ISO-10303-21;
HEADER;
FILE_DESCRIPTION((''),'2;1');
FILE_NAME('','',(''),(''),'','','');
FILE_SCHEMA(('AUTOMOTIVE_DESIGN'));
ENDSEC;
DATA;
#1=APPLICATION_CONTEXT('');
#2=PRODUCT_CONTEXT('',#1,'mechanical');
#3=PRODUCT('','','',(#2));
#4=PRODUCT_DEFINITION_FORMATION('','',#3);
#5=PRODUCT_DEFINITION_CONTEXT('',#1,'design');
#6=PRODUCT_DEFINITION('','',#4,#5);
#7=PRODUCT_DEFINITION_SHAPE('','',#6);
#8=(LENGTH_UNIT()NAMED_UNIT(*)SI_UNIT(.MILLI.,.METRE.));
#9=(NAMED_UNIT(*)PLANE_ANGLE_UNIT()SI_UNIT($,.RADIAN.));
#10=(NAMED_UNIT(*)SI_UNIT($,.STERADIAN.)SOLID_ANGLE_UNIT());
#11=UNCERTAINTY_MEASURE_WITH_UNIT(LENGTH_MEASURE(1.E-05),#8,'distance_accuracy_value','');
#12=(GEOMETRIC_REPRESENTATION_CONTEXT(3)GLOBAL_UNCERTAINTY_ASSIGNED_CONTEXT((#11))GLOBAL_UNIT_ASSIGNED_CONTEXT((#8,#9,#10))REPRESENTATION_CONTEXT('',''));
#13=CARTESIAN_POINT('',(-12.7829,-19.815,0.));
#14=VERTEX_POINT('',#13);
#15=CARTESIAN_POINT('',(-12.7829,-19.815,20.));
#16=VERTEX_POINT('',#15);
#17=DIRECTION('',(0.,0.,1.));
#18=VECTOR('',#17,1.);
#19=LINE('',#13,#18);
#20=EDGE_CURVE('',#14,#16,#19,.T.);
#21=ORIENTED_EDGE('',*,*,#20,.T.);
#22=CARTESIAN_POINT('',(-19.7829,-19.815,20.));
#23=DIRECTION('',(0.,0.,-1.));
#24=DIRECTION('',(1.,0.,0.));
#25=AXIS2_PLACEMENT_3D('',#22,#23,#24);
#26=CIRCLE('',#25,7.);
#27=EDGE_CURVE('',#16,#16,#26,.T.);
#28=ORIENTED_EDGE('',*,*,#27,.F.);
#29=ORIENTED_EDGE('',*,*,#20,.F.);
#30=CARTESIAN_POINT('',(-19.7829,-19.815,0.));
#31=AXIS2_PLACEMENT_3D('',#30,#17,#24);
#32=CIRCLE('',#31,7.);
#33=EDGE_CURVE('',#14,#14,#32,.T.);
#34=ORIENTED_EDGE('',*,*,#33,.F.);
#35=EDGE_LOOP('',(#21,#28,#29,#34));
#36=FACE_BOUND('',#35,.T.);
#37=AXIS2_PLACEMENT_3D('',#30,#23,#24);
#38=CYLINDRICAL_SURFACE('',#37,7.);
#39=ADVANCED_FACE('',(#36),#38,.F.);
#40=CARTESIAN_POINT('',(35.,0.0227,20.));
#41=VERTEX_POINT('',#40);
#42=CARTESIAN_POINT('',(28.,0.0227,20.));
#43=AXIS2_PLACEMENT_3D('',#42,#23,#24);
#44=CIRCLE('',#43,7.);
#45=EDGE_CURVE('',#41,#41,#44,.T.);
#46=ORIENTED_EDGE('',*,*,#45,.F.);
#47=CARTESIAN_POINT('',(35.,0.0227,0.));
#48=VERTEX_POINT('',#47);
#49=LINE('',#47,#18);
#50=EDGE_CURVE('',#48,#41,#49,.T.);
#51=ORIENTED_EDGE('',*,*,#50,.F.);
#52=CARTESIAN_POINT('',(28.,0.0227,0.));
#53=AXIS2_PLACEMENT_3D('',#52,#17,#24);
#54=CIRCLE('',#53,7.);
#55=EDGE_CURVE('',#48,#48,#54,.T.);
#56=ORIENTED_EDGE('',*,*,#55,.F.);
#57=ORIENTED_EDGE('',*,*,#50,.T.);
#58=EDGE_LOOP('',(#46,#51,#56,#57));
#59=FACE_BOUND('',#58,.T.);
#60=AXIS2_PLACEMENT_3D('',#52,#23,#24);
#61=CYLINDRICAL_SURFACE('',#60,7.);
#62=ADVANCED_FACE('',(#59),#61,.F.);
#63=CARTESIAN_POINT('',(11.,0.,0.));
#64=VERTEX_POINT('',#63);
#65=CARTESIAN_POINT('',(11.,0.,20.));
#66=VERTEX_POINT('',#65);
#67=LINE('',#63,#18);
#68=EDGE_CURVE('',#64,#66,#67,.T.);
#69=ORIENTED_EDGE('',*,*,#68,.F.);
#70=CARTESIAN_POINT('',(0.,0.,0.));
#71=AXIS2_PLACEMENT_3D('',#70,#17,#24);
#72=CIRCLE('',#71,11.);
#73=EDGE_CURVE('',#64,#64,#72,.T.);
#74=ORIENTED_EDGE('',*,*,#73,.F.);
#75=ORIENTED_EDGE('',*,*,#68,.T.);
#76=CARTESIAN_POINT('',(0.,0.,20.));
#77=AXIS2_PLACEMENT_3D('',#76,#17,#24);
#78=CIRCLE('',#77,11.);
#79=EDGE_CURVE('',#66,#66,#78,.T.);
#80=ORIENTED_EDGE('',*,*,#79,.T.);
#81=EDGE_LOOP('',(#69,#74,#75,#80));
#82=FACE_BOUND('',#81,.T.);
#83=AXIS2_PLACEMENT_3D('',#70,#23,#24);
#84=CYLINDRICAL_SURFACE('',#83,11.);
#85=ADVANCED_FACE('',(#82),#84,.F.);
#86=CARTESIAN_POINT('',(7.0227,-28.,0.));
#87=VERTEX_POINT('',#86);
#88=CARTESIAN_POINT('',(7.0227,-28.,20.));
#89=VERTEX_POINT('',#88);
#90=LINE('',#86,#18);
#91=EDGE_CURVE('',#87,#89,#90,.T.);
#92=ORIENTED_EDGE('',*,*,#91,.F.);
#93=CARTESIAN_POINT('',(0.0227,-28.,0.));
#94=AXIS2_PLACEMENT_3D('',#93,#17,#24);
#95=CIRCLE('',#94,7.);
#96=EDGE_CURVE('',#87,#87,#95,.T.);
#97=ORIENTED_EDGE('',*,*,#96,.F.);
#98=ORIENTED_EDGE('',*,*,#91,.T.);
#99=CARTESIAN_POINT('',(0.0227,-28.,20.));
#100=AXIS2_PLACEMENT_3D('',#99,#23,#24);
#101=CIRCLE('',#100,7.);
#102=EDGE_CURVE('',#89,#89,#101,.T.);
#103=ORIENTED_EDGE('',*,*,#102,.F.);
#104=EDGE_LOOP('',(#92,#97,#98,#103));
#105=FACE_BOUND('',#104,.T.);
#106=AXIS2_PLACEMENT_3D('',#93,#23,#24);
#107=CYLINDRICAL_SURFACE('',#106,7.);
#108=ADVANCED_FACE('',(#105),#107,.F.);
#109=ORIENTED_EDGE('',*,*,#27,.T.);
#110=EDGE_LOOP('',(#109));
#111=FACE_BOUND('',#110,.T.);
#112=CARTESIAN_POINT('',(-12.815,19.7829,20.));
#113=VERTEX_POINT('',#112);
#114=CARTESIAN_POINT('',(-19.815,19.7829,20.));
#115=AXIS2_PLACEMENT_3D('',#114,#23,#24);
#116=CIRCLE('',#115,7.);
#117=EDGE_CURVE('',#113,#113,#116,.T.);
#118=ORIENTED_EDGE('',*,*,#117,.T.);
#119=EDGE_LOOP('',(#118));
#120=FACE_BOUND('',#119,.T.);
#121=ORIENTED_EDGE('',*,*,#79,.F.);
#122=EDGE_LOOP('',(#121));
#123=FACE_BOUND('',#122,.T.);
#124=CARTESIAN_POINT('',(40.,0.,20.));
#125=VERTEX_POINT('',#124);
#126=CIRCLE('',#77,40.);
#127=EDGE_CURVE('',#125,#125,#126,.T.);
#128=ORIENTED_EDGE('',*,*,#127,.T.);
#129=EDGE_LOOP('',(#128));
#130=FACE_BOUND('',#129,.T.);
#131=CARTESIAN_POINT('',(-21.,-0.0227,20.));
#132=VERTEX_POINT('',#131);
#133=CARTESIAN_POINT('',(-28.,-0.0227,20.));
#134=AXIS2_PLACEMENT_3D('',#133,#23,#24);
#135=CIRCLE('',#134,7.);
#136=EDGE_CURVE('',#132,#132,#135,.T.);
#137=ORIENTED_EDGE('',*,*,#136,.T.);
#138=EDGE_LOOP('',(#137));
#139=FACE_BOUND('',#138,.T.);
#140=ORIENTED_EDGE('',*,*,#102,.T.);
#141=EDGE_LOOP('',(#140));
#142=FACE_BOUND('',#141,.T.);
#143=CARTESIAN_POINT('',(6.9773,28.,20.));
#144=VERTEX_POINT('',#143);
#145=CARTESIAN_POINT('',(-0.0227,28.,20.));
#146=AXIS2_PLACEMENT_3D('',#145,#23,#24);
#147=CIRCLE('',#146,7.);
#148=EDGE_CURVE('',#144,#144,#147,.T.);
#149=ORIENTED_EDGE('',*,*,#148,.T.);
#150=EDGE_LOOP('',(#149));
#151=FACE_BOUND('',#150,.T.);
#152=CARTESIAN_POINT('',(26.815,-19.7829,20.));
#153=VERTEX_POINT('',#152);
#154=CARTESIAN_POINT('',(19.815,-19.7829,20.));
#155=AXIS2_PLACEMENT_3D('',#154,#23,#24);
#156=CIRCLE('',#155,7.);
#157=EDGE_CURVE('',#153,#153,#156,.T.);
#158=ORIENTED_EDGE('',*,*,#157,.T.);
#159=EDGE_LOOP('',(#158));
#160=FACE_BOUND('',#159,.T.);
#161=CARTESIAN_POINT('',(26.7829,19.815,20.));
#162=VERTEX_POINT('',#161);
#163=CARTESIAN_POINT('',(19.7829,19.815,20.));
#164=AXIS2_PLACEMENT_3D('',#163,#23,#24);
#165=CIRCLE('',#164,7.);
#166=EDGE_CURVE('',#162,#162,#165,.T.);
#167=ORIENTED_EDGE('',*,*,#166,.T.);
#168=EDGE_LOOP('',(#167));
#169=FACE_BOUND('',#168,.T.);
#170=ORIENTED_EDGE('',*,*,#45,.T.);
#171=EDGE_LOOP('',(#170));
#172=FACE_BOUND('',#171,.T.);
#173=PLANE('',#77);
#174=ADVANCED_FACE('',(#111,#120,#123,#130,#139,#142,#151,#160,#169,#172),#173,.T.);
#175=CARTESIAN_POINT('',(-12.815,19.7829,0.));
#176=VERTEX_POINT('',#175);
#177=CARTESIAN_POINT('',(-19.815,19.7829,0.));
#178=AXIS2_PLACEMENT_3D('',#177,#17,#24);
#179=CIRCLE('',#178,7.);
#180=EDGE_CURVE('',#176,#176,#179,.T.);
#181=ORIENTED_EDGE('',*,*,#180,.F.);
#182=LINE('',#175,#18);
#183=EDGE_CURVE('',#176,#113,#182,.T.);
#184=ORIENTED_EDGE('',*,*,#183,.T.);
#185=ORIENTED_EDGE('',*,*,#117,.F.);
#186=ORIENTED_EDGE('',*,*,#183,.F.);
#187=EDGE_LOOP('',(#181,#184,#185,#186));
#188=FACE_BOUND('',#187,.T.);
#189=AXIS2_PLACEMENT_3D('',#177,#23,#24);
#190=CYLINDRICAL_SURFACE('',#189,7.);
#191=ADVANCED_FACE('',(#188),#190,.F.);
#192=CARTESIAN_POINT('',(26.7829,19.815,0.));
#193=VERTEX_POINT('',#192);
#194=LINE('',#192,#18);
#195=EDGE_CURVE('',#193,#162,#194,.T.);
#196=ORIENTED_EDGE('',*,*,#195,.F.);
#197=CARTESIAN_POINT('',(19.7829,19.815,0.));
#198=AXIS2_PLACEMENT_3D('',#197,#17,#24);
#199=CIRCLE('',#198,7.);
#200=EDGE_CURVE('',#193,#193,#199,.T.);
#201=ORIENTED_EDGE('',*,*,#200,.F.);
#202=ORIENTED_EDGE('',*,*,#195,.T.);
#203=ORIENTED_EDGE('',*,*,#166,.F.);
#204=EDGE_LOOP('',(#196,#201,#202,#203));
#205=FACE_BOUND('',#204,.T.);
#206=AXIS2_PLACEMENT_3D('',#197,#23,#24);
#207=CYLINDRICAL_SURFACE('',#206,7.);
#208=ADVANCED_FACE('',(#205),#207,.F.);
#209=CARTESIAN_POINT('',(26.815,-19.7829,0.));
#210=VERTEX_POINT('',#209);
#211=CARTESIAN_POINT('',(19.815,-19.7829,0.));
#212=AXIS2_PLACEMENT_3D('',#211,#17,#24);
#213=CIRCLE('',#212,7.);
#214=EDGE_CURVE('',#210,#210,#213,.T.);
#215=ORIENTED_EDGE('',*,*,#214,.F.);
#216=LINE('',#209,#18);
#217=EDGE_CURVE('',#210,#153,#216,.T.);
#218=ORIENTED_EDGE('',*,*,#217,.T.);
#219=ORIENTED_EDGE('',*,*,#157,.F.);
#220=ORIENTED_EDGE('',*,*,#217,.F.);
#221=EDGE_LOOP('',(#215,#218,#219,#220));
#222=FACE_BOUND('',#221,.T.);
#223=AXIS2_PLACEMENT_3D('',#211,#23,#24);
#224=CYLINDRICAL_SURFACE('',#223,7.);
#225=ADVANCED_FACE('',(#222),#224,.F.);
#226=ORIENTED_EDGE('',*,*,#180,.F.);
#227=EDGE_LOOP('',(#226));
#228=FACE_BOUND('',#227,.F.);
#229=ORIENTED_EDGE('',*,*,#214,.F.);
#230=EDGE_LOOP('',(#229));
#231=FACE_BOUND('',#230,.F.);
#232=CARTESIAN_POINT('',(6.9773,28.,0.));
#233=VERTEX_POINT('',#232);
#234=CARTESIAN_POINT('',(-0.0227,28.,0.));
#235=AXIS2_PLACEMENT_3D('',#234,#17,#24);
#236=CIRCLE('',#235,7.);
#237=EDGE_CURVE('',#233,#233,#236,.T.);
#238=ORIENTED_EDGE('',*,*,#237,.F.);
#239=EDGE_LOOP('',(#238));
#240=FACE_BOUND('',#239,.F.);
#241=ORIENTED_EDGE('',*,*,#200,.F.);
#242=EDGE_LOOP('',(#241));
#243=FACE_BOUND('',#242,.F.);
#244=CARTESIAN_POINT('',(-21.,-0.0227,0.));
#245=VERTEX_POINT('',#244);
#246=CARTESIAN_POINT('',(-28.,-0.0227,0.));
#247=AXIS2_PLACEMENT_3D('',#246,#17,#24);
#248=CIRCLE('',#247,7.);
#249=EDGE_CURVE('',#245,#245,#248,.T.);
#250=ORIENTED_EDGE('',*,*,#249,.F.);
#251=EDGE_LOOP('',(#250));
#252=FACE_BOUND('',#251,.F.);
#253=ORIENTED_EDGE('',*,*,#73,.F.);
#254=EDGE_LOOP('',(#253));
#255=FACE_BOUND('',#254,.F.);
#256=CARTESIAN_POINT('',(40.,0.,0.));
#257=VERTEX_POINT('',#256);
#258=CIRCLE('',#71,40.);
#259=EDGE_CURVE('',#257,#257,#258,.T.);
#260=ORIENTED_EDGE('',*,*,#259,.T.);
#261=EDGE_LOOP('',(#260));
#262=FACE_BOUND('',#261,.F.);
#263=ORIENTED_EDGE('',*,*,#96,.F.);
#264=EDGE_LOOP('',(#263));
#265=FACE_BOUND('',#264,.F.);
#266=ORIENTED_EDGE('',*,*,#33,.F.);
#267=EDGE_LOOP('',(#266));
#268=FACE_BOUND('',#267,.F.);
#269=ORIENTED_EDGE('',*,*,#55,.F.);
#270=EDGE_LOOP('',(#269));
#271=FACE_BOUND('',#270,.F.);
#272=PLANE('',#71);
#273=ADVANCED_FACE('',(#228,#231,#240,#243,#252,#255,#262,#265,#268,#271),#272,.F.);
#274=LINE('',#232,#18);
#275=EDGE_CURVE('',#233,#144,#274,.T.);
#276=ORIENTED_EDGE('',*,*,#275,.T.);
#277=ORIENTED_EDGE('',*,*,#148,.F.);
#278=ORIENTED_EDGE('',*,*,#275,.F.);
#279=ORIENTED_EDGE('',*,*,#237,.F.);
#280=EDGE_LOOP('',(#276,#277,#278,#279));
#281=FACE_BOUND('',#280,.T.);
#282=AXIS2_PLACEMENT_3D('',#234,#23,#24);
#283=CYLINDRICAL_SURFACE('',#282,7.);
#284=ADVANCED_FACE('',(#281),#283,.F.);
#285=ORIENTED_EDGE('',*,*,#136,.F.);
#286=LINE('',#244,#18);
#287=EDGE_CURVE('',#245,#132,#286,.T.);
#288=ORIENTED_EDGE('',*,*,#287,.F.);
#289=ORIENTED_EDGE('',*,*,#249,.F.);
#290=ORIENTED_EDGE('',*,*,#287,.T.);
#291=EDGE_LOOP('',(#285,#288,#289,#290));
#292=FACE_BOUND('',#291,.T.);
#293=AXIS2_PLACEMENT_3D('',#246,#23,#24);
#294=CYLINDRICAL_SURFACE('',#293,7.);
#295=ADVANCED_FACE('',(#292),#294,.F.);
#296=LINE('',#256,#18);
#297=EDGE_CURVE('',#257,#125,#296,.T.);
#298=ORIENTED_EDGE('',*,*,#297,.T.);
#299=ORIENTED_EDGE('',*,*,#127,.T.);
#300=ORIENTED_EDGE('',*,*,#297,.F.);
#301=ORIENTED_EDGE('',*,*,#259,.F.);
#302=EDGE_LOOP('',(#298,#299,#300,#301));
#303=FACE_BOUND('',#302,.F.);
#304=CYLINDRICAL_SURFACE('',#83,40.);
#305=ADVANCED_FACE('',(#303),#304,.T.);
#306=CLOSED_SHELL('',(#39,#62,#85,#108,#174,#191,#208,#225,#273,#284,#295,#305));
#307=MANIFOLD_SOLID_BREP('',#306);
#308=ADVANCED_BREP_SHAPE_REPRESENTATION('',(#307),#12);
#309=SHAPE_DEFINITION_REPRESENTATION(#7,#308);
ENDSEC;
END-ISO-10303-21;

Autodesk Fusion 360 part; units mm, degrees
sketch "Sketch1" plane through (0, 0, 0) normal (0, 0, 1) x (1, 0, 0)
  circle A0 centre (0, 0) radius 40
  circle A1 centre (0, 0) radius 28
  circle A2 centre (0, 0) radius 11
  circle A3 centre (28, 0.0227) radius 7
  circle A4 centre (19.7829, 19.815) radius 7
  circle A5 centre (-0.0227, 28) radius 7
  circle A6 centre (-19.815, 19.7829) radius 7
  circle A7 centre (-28, -0.0227) radius 7
  circle A8 centre (-19.7829, -19.815) radius 7
  circle A9 centre (0.0227, -28) radius 7
  circle A10 centre (19.815, -19.7829) radius 7
  dimension "d1" = 80
  dimension "d2" = 56
  dimension "d3" = 22
  dimension "d4" = 14
  dimension "d6" = 360
extrude "Extrude1" add sketch "Sketch1" along normal blind 20 contours A0 | A1 A3 A4 A5 A6 A7 A8 A9 A10
